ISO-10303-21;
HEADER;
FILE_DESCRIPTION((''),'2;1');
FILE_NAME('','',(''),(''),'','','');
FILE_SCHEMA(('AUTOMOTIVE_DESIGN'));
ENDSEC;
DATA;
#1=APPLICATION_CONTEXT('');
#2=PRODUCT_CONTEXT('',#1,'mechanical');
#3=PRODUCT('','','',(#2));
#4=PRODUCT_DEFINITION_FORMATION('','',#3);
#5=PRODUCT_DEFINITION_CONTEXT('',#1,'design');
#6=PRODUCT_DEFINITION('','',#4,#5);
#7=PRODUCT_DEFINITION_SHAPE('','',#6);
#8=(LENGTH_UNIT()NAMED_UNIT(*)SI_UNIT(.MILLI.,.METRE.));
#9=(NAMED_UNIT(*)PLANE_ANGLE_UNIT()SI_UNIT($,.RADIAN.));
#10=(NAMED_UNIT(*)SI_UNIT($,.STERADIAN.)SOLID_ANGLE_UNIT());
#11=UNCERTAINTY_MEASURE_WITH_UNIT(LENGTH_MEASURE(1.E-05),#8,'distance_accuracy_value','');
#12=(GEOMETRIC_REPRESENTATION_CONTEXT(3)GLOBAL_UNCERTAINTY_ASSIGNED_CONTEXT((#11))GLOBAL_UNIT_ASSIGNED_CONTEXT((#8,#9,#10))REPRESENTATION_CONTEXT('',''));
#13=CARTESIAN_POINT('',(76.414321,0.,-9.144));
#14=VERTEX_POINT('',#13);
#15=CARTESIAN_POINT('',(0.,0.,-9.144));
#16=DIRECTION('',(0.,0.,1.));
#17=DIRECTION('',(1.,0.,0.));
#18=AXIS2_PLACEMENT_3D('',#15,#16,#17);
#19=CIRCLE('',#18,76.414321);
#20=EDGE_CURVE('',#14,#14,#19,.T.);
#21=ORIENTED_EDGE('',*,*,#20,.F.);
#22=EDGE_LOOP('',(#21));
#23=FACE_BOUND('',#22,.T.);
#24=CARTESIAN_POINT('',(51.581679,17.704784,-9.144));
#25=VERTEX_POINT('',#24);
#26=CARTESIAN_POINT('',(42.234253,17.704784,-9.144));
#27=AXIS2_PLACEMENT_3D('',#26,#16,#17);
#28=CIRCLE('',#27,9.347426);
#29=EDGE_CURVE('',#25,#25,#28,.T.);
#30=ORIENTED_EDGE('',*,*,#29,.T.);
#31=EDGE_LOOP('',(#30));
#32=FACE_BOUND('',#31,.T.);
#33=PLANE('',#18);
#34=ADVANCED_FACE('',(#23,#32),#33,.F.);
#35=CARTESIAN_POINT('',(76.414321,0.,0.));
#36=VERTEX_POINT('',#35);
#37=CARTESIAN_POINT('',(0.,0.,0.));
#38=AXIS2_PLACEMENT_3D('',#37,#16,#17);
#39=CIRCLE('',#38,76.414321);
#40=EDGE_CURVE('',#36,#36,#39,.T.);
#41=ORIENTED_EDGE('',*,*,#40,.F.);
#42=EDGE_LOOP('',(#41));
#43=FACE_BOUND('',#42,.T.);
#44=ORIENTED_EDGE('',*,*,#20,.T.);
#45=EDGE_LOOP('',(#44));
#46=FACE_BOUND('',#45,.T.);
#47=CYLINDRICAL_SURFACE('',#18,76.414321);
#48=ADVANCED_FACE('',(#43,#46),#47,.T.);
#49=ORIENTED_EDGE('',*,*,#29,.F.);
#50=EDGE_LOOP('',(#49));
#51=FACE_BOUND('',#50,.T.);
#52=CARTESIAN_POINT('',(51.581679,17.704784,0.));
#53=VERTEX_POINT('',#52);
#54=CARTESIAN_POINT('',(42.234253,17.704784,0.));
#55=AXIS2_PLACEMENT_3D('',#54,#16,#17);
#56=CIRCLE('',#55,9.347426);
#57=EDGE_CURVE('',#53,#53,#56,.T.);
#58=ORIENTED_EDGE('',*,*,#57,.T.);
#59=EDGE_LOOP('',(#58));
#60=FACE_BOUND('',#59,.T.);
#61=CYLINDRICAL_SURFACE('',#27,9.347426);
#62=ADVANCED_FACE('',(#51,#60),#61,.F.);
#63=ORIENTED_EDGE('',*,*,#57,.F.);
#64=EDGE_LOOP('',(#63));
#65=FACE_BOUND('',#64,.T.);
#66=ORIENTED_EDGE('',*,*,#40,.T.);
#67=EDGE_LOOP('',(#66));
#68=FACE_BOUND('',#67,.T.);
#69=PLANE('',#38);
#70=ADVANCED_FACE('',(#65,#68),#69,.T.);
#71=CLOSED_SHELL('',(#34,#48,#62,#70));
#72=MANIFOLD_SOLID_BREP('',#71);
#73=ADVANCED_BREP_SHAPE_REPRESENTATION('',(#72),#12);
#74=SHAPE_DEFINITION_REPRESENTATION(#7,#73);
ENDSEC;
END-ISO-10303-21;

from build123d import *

# Parameters (mm, degrees)
SKETCH1_R      = 76.414321236
SKETCH1_R_2    = 9.347426307
EXTRUDE1_DEPTH = 9.144


with BuildPart() as part:
    # Sketch1 → Extrude1 (new body)
    with BuildSketch(Plane.XY):
        Circle(SKETCH1_R)
        with Locations((42.234252899, 17.704783599)):
            Circle(SKETCH1_R_2, mode=Mode.SUBTRACT)
    extrude(amount=-EXTRUDE1_DEPTH)


solid = part.part
